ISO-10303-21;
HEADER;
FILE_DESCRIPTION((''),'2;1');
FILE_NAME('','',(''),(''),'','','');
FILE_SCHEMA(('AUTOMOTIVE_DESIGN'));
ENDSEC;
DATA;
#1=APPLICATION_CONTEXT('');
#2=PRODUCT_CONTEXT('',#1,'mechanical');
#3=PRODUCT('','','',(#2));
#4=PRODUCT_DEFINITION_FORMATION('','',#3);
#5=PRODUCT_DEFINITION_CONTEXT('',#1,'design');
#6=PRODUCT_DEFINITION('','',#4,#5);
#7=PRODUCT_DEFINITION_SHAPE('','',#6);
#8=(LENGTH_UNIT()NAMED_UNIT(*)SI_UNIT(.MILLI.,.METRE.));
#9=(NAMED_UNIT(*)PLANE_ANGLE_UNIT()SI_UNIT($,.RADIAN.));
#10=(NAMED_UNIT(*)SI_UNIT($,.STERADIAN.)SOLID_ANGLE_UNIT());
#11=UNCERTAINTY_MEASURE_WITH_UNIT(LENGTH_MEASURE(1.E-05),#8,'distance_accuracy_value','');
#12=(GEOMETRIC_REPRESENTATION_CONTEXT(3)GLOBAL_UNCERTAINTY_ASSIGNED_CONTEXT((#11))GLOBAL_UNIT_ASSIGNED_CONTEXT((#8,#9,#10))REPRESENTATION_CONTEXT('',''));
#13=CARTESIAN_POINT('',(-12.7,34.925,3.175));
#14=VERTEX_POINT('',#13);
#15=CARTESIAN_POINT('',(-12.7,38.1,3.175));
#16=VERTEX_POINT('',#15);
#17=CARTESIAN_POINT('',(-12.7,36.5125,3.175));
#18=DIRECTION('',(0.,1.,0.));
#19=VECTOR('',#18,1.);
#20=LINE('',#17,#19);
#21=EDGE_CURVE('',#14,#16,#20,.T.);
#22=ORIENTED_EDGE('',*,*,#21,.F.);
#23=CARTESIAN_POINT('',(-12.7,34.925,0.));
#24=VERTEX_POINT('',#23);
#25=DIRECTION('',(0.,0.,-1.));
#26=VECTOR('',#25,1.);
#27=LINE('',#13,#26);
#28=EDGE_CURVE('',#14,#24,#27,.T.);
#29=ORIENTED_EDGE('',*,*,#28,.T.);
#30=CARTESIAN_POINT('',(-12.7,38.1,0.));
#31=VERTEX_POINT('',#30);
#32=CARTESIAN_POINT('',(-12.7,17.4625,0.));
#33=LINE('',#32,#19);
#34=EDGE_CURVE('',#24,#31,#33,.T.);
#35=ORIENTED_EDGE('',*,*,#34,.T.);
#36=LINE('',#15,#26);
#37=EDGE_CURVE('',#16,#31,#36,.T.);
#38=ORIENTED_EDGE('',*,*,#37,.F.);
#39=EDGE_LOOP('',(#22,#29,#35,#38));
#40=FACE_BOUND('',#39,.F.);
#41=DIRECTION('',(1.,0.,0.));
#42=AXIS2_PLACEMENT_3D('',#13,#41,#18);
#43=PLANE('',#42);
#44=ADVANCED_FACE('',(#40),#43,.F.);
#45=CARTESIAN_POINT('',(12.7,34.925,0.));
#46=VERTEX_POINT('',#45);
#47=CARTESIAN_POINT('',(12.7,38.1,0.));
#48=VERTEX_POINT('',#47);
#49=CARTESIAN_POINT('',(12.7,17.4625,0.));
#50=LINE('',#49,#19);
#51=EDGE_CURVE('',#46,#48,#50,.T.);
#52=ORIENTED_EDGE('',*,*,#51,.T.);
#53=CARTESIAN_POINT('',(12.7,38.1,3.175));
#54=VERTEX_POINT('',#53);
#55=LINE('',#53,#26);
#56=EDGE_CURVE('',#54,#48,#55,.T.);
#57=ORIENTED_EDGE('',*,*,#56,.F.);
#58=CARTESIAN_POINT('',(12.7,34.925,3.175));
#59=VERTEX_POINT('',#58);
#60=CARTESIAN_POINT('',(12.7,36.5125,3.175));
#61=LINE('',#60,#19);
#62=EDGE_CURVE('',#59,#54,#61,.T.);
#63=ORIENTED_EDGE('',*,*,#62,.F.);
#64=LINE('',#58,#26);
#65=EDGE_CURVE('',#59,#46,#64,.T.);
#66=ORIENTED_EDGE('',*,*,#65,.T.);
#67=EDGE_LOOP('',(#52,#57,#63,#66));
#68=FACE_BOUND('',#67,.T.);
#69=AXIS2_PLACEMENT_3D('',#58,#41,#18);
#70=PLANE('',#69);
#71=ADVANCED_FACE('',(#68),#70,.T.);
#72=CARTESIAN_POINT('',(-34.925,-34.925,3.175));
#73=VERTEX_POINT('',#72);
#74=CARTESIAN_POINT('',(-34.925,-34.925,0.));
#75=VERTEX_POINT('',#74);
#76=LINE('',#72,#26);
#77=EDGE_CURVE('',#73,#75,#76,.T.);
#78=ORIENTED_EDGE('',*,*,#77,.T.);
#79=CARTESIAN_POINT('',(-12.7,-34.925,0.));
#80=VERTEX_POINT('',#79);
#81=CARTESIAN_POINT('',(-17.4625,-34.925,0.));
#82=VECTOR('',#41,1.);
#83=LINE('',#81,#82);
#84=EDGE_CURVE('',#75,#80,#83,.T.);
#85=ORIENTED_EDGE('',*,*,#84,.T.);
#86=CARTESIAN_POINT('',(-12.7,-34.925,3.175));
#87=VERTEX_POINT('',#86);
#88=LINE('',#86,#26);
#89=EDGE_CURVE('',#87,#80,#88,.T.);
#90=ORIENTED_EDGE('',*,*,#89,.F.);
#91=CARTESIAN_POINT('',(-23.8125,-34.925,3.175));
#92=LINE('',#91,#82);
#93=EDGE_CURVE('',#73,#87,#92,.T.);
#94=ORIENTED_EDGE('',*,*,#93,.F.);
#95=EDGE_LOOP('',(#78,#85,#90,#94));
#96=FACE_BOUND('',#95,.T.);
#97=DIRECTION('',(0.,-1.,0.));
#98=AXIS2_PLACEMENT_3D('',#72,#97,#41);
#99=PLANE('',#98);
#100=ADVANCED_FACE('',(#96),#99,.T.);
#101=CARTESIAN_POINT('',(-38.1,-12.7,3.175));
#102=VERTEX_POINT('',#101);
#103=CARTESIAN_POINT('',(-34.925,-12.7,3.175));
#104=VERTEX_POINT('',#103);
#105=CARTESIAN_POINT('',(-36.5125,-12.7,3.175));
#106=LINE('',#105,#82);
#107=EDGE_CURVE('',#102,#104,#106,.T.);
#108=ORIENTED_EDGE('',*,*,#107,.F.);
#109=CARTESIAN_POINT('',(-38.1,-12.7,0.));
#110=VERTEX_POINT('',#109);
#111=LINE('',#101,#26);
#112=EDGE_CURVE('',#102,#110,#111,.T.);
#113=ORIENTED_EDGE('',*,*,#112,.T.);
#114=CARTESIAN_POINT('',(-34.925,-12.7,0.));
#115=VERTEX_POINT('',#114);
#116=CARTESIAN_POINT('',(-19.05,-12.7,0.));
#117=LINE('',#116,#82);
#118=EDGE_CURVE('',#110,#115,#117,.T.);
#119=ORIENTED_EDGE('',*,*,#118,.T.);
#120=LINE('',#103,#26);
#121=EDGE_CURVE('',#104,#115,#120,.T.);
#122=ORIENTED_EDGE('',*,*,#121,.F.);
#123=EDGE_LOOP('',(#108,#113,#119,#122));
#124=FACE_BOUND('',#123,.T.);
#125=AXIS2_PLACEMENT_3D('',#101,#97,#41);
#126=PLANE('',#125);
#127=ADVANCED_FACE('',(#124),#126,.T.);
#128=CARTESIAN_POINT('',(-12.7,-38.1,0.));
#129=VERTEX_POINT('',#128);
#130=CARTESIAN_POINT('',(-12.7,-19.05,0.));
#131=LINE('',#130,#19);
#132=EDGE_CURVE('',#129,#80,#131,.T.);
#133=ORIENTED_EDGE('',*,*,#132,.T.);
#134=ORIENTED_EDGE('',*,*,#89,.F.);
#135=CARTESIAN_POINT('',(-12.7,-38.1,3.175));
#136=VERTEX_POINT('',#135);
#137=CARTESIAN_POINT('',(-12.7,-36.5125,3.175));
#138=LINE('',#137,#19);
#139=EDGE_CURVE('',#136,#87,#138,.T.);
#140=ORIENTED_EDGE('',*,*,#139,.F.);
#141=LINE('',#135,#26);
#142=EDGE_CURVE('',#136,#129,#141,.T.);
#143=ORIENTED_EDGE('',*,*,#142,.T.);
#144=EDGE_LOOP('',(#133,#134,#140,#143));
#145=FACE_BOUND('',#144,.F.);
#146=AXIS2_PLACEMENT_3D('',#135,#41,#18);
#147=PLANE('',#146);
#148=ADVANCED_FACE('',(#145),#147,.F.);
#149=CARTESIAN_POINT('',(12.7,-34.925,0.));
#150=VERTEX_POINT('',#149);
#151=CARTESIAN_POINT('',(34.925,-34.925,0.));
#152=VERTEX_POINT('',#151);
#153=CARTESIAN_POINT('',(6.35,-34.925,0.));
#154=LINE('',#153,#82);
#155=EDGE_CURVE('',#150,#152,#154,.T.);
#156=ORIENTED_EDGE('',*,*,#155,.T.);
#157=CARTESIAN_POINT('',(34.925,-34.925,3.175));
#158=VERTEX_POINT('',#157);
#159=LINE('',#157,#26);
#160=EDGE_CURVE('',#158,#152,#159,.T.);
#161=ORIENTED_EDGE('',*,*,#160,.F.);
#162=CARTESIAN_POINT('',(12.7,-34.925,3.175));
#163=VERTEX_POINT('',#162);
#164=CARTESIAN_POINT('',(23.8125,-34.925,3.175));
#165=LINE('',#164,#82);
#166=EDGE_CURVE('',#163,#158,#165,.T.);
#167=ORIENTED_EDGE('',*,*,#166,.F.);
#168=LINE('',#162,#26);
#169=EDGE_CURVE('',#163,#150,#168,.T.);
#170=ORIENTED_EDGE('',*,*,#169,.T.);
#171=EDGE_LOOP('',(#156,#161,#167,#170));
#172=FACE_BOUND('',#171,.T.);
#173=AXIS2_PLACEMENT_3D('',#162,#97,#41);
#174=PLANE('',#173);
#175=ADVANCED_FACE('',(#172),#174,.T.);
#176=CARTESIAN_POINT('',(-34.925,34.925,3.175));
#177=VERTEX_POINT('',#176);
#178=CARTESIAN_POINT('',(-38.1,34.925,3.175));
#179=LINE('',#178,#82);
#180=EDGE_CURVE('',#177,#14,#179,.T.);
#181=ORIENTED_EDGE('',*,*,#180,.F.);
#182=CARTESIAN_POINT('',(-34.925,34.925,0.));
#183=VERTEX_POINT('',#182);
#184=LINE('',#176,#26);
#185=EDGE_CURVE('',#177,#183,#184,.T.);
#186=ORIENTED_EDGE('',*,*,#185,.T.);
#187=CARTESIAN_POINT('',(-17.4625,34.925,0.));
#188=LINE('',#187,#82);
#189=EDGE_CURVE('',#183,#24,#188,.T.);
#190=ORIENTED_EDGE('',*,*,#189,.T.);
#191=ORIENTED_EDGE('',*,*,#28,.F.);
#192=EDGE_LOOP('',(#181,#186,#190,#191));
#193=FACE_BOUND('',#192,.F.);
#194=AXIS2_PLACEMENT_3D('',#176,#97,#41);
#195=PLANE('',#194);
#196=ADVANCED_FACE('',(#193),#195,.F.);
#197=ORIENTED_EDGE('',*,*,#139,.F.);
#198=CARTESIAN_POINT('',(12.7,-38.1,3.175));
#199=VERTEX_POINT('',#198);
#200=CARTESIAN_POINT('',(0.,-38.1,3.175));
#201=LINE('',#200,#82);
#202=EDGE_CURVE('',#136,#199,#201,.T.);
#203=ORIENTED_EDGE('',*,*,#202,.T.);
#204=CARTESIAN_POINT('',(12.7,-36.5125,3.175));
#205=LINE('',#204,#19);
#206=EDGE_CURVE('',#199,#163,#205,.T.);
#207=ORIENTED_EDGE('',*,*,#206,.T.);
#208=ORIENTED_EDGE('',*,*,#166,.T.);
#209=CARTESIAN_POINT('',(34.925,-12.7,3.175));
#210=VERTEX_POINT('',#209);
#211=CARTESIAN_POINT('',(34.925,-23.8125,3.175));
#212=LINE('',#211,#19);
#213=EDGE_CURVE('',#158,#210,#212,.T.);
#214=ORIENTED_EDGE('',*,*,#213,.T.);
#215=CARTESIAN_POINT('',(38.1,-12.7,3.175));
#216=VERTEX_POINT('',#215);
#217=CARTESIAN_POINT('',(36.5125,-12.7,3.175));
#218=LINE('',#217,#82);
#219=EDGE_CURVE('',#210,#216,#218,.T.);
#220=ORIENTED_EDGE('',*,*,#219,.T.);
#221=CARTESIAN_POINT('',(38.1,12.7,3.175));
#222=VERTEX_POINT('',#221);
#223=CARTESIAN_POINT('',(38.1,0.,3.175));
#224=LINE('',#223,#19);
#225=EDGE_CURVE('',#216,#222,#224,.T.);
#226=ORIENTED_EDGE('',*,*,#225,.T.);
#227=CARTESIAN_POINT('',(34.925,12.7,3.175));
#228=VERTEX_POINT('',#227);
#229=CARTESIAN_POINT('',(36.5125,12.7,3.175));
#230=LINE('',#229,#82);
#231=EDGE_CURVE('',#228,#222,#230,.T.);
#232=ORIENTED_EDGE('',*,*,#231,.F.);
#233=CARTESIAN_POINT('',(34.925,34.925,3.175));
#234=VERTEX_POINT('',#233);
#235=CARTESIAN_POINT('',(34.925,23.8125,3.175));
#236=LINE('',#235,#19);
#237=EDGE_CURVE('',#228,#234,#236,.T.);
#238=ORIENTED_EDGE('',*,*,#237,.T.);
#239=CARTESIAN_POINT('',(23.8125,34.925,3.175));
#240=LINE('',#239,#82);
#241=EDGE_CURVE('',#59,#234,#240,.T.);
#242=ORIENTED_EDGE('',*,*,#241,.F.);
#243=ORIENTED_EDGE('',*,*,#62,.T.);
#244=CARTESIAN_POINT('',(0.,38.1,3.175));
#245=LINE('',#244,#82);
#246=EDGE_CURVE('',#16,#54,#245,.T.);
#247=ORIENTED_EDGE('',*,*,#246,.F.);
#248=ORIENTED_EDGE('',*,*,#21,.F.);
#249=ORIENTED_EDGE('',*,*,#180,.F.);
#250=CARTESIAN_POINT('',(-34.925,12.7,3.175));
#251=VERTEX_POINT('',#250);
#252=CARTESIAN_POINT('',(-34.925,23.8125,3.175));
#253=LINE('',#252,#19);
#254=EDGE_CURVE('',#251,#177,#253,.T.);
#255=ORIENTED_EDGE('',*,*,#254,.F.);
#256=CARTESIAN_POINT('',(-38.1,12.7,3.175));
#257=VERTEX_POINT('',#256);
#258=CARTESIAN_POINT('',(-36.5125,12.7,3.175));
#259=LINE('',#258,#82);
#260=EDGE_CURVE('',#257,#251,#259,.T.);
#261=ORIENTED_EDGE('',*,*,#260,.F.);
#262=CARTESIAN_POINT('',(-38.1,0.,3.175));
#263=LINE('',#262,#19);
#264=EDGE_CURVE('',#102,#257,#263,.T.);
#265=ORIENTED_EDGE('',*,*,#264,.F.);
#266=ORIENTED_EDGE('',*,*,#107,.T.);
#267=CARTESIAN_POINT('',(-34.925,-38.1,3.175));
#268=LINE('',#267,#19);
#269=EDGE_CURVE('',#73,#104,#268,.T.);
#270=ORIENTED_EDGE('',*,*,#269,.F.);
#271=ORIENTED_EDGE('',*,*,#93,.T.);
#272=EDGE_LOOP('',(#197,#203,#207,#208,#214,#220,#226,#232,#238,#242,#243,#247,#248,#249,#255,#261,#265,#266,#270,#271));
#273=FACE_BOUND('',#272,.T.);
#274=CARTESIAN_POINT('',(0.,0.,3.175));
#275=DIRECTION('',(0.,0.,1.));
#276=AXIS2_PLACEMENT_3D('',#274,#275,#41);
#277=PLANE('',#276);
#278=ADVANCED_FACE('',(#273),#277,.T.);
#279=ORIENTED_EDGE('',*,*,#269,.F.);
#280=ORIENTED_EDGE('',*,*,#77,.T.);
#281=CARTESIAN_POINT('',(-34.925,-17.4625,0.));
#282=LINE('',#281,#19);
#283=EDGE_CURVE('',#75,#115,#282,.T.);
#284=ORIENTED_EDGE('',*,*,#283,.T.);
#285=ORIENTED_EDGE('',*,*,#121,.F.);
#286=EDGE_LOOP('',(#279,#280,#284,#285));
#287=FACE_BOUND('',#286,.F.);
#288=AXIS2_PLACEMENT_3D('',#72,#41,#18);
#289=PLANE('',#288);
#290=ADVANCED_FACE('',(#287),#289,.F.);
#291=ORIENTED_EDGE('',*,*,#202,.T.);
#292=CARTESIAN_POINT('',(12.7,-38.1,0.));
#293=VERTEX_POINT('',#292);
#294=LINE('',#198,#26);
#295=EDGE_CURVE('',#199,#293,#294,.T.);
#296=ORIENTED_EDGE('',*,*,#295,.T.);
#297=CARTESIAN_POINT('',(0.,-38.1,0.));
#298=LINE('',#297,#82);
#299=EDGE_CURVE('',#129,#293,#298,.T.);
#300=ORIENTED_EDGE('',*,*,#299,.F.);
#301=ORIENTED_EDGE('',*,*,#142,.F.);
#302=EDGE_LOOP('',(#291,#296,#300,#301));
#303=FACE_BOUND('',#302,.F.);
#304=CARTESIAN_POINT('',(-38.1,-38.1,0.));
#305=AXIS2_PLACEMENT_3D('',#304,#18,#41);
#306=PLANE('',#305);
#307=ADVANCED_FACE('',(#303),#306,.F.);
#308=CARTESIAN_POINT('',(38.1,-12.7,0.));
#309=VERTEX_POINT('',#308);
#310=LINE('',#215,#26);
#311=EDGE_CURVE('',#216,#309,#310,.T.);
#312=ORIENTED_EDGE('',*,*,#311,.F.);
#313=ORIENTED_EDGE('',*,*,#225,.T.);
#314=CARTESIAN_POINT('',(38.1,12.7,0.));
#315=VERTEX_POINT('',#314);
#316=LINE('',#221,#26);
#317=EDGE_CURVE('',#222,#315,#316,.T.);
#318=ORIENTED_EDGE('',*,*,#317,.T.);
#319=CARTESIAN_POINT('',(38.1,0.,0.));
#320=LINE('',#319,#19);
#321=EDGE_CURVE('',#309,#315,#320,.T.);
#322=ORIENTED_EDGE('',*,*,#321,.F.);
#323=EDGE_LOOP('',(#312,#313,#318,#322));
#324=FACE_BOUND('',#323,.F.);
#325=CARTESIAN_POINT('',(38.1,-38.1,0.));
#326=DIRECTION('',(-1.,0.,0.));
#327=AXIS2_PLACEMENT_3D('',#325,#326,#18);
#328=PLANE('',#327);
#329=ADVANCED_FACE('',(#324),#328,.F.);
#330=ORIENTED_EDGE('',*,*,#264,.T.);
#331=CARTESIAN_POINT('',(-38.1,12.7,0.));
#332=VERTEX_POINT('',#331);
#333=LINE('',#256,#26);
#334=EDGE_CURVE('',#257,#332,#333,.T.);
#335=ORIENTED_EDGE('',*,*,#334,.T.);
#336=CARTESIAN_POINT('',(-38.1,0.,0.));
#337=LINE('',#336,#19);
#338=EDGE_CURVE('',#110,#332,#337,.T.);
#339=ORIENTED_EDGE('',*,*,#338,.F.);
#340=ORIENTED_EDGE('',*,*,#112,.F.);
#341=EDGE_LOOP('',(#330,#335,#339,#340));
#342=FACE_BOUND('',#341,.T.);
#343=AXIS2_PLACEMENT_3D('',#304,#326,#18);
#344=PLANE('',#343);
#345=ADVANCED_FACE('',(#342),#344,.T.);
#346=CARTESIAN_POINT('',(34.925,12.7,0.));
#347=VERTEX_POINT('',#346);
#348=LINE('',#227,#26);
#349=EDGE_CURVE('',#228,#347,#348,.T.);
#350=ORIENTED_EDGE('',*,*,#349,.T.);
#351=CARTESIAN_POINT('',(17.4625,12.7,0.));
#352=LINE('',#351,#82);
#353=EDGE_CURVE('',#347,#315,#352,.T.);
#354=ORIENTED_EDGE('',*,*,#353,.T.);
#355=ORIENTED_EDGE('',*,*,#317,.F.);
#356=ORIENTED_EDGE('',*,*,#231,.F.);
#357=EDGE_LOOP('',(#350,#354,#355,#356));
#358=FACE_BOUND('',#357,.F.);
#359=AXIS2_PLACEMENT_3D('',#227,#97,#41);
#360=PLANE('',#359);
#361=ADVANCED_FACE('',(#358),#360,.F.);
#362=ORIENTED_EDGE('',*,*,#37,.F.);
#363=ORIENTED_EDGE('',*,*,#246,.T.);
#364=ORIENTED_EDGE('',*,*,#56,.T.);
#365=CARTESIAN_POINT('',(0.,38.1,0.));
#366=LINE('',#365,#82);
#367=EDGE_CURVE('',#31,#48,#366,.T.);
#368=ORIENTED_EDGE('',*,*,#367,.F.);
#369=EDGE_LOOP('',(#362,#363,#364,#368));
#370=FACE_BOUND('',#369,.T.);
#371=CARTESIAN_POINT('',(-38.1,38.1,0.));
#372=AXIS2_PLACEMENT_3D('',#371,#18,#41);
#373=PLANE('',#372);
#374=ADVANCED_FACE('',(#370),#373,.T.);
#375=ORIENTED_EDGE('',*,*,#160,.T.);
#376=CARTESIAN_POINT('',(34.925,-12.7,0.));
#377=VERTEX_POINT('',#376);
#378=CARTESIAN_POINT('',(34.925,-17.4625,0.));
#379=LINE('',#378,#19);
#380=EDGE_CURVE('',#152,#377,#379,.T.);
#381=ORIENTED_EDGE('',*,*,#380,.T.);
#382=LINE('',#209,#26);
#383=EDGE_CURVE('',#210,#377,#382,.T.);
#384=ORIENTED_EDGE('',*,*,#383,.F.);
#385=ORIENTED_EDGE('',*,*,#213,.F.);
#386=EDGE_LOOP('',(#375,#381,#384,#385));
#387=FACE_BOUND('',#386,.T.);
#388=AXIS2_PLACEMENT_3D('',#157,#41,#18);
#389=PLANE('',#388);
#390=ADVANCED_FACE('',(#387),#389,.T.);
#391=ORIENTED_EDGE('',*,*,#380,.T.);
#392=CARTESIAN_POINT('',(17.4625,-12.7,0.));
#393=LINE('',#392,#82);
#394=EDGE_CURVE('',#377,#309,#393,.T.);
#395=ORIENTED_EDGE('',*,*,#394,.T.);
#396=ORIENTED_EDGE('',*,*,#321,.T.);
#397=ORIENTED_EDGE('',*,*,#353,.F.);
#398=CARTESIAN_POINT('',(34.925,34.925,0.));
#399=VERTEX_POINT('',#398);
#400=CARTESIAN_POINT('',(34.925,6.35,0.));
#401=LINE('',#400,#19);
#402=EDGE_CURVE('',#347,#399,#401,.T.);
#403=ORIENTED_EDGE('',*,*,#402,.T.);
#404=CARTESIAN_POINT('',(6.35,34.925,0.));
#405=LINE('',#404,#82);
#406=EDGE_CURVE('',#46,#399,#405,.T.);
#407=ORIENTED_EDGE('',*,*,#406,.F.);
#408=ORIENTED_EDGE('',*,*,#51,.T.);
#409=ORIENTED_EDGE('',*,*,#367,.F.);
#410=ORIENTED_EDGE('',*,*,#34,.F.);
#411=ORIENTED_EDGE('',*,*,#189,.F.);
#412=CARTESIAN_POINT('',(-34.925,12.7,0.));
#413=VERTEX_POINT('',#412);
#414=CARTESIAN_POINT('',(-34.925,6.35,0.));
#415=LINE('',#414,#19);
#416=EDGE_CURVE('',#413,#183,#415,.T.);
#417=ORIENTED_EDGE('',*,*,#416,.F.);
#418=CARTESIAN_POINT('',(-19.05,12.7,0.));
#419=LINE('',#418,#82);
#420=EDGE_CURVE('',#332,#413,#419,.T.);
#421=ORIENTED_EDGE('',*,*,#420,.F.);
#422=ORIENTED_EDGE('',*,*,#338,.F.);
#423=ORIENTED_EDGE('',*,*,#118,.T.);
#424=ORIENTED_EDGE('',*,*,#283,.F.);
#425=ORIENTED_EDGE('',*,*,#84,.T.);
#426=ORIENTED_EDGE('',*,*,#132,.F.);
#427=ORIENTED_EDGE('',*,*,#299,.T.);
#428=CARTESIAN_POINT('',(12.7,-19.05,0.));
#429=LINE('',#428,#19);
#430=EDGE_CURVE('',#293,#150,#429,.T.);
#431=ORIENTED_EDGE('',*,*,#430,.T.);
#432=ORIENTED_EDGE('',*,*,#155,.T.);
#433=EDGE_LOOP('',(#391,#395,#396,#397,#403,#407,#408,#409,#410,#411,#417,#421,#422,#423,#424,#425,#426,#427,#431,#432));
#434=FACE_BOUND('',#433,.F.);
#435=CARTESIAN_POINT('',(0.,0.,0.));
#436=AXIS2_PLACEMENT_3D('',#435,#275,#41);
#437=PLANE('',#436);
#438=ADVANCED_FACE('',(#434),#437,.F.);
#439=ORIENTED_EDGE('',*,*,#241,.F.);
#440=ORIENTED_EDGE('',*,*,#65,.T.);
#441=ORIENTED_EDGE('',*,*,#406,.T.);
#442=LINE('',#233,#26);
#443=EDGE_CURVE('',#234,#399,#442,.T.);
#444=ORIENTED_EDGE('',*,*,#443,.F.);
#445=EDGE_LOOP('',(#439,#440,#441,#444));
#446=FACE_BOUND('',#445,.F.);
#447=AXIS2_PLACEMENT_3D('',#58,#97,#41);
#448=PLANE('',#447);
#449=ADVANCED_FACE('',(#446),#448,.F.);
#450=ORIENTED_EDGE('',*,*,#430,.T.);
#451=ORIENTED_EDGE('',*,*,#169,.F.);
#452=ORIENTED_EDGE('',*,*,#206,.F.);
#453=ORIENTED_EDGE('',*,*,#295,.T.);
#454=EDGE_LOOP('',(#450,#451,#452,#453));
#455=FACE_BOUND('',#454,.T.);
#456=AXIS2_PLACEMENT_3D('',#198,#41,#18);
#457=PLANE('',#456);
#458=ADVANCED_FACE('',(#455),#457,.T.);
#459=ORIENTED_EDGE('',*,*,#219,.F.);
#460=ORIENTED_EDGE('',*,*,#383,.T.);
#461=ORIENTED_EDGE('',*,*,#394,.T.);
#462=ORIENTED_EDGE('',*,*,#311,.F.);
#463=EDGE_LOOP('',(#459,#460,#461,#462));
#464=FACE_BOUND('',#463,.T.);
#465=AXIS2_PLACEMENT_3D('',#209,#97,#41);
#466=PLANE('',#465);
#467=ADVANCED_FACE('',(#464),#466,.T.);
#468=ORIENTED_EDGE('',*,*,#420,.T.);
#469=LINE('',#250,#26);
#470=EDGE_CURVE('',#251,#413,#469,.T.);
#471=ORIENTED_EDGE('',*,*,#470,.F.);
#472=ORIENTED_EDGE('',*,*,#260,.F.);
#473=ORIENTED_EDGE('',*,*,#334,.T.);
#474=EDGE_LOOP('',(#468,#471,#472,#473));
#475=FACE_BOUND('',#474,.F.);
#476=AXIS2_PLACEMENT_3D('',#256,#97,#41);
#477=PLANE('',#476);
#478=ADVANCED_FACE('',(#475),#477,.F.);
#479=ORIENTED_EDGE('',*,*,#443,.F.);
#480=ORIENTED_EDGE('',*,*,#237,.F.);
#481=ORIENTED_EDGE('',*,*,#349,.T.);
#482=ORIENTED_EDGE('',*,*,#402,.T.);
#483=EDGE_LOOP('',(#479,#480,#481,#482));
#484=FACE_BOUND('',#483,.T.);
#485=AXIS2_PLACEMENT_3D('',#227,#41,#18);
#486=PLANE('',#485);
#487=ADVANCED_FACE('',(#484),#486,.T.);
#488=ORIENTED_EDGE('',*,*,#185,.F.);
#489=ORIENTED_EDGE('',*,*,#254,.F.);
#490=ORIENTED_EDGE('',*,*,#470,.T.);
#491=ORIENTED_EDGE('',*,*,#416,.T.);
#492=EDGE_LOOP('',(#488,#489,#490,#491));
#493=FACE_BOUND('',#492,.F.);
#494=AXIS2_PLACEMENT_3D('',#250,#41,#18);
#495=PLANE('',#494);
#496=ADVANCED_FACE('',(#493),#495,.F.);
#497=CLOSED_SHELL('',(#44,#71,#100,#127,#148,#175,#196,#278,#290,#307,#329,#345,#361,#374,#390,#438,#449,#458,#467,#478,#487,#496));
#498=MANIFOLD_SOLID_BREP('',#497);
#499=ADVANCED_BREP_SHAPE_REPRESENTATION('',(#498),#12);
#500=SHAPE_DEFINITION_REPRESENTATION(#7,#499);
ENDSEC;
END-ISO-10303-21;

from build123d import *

# Parameters (mm, degrees)
F0_W     = 76.2
F0_H     = 76.2
F1_DEPTH = 3.175
F2_W     = 3.175
F2_H     = 3.175
F2_W_2   = 22.225
F2_H_2   = 22.225
F3_DEPTH = 25.4


with BuildPart() as f1:
    # F0 (on Top) → F1 (new body)
    with BuildSketch(Plane.XY):
        Rectangle(F0_W, F0_H)
    extrude(amount=F1_DEPTH)

    # F2 (on face) → F3 (cut)
    with BuildSketch(Plane.XY.offset(3.175)):
        with Locations((-36.5125, 36.5125)):
            Rectangle(F2_W, F2_H)
        with Locations((-23.8125, 36.5125)):
            Rectangle(F2_W_2, F2_H)
        with Locations((-36.5125, 23.8125)):
            Rectangle(F2_W, F2_H_2)
        with Locations((-36.5125, -23.8125)):
            Rectangle(F2_W, F2_H_2)
        with Locations((-36.5125, -36.5125)):
            Rectangle(F2_W, F2_H)
        with Locations((-23.8125, -36.5125)):
            Rectangle(F2_W_2, F2_H)
        with Locations((23.8125, -36.5125)):
            Rectangle(F2_W_2, F2_H)
        with Locations((36.5125, -23.8125)):
            Rectangle(F2_W, F2_H_2)
        with Locations((36.5125, -36.5125)):
            Rectangle(F2_W, F2_H)
        with Locations((36.5125, 23.8125)):
            Rectangle(F2_W, F2_H_2)
        with Locations((23.8125, 36.5125)):
            Rectangle(F2_W_2, F2_H)
        with Locations((36.5125, 36.5125)):
            Rectangle(F2_W, F2_H)
    extrude(amount=-F3_DEPTH, mode=Mode.SUBTRACT)


solid = f1.part
